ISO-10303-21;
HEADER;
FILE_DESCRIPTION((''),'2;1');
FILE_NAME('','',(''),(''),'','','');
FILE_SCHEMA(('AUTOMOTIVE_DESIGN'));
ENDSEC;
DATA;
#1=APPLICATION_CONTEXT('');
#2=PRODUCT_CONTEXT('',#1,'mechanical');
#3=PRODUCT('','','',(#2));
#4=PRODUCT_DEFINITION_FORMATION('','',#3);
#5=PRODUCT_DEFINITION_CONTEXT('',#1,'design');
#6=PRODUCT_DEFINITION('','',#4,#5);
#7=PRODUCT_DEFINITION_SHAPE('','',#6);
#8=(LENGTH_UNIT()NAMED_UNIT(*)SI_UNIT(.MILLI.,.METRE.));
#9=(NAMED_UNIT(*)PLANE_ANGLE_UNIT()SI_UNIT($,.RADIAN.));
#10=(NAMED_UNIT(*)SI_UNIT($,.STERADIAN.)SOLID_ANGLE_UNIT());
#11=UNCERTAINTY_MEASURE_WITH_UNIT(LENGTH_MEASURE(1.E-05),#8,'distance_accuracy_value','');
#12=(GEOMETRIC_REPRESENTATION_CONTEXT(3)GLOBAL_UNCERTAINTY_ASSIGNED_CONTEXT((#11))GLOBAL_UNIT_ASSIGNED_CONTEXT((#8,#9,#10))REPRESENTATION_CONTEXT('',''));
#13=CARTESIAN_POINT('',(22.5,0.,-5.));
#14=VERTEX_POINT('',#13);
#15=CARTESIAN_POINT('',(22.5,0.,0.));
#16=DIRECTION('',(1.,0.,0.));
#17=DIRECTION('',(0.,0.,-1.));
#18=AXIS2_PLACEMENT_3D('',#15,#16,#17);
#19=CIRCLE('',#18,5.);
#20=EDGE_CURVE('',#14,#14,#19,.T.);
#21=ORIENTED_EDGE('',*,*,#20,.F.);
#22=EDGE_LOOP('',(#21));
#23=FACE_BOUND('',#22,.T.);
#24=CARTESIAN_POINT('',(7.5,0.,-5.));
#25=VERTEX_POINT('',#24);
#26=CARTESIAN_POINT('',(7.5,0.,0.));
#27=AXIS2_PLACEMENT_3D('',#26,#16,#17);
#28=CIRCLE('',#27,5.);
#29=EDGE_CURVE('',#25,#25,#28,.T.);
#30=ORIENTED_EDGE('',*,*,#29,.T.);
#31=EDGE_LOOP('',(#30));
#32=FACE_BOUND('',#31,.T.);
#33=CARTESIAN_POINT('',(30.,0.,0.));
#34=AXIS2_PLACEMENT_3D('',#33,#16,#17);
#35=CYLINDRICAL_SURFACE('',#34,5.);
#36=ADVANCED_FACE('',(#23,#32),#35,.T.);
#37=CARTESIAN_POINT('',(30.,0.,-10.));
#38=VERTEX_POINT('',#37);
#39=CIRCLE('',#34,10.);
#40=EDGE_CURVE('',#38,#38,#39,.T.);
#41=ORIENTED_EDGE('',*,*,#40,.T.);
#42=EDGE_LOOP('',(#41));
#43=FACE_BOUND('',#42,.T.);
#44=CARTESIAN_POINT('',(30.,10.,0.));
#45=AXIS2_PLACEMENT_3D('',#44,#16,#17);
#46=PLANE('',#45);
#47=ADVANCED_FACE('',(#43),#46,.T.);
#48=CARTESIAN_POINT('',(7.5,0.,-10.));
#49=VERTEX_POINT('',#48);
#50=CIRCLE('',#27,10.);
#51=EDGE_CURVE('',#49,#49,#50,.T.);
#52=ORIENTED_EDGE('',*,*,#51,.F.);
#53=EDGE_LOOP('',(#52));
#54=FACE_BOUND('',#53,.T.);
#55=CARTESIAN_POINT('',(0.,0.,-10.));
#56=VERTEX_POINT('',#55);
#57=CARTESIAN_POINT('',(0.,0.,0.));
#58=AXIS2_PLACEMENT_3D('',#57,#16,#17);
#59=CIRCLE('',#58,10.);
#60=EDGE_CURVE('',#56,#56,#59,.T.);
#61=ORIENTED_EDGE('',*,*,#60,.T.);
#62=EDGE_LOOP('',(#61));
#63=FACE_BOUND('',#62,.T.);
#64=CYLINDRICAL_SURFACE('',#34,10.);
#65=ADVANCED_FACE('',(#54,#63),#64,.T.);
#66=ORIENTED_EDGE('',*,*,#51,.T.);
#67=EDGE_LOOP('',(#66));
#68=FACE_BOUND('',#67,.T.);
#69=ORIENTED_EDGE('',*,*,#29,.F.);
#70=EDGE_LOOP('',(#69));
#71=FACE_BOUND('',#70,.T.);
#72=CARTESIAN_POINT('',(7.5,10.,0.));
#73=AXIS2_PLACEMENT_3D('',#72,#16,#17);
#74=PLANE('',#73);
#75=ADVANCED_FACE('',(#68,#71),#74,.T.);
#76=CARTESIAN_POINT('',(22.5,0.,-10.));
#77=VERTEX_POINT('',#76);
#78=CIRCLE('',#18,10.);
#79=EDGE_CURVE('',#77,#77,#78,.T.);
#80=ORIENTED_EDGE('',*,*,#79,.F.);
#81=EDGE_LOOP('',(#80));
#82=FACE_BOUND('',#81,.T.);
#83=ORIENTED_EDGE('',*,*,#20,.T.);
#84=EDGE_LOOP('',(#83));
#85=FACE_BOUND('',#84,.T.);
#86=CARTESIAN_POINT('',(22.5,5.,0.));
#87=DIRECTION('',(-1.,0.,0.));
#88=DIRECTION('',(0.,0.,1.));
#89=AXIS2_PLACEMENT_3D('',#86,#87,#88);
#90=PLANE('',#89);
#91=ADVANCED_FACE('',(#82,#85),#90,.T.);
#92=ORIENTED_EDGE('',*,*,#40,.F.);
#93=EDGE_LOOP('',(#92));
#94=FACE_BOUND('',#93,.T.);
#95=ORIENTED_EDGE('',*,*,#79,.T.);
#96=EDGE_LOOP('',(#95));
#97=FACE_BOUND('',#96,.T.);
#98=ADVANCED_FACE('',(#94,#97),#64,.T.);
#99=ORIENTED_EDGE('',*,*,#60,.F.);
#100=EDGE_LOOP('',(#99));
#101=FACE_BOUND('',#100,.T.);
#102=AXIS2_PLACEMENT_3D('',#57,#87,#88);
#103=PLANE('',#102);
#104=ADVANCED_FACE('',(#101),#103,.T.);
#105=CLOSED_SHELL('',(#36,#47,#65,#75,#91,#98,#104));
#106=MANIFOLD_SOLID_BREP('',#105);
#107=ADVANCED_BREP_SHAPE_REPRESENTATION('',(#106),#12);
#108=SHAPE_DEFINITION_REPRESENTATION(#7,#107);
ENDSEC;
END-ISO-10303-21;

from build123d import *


with BuildPart() as part:
    # Croquis1 → Revolución1 (revolve)
    with BuildSketch(Plane.XY, mode=Mode.PRIVATE) as revoluci_n1_sk:
        Polygon((0, 0), (0, 10), (7.5, 10), (7.5, 5), (22.5, 5), (22.5, 10), (30, 10), (30, 0), align=None)
    revolve(revoluci_n1_sk.sketch.rotate(Axis((30, 0, 0), (-1, 0, 0)), 90), axis=Axis((30, 0, 0), (-1, 0, 0)))


solid = part.part
